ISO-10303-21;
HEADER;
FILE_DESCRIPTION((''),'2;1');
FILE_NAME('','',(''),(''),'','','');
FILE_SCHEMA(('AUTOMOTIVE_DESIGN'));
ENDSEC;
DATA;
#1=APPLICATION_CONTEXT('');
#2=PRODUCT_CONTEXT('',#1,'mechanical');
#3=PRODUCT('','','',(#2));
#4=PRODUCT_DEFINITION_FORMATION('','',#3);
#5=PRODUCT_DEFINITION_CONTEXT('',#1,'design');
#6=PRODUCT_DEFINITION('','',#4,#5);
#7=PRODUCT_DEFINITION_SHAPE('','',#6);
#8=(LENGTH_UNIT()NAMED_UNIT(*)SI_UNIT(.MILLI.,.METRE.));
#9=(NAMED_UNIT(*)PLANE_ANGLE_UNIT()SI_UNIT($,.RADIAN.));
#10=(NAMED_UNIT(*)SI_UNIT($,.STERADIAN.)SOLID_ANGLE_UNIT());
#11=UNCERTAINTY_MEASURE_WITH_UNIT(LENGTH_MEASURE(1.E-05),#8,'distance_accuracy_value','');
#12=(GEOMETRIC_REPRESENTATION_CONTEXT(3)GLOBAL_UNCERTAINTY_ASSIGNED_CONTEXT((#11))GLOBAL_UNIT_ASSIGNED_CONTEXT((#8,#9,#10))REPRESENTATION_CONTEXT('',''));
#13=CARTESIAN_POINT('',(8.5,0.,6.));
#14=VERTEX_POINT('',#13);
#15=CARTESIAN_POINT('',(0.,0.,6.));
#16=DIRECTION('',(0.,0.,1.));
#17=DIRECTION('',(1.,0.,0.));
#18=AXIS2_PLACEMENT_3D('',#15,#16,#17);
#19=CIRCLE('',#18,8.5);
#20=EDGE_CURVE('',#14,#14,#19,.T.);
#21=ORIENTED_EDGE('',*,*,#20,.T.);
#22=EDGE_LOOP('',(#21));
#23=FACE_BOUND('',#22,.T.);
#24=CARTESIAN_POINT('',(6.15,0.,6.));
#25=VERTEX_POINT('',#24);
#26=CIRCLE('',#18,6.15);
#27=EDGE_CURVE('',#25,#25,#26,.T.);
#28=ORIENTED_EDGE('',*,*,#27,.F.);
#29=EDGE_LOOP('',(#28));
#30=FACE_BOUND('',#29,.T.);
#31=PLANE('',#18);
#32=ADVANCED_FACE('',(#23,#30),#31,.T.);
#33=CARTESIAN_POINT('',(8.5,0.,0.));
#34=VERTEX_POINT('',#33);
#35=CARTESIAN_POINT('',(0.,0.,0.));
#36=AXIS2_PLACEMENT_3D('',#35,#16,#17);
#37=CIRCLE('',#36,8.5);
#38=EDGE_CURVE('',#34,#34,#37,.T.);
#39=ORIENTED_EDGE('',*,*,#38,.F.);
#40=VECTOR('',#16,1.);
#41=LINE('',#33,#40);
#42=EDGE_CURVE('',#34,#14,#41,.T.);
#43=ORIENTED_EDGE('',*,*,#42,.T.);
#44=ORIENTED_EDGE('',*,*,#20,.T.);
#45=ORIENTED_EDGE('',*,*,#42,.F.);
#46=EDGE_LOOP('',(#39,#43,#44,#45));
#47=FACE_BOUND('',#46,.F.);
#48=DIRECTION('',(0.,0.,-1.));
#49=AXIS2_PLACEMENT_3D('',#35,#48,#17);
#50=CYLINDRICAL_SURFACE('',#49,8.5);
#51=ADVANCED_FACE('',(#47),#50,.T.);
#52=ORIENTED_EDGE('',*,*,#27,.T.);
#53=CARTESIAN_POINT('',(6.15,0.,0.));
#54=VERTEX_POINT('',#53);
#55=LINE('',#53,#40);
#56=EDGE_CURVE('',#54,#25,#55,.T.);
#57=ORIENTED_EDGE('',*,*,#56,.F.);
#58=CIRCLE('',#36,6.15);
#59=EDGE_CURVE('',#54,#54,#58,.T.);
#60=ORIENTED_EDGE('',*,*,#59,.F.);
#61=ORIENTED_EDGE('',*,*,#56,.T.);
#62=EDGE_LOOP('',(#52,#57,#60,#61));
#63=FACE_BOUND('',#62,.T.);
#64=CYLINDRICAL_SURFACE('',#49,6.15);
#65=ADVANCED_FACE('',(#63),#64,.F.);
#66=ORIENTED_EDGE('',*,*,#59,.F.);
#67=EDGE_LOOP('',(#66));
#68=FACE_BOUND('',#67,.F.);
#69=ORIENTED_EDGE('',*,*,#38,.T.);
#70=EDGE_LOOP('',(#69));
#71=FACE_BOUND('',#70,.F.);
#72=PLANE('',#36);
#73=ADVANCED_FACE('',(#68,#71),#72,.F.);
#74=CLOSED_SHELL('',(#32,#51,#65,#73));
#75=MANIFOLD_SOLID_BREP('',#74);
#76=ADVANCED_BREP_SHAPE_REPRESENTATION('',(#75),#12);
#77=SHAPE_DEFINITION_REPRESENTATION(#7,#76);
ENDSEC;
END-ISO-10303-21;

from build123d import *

# Parameters (mm, degrees)
SKETCH_R      = 8.5
SKETCH_R_2    = 6.15
EXTRUDE_DEPTH = 6


with BuildPart() as part:
    # Sketch → Extrude (new body)
    with BuildSketch(Plane.XY):
        Circle(SKETCH_R)
        Circle(SKETCH_R_2, mode=Mode.SUBTRACT)
    extrude(amount=EXTRUDE_DEPTH)


solid = part.part
